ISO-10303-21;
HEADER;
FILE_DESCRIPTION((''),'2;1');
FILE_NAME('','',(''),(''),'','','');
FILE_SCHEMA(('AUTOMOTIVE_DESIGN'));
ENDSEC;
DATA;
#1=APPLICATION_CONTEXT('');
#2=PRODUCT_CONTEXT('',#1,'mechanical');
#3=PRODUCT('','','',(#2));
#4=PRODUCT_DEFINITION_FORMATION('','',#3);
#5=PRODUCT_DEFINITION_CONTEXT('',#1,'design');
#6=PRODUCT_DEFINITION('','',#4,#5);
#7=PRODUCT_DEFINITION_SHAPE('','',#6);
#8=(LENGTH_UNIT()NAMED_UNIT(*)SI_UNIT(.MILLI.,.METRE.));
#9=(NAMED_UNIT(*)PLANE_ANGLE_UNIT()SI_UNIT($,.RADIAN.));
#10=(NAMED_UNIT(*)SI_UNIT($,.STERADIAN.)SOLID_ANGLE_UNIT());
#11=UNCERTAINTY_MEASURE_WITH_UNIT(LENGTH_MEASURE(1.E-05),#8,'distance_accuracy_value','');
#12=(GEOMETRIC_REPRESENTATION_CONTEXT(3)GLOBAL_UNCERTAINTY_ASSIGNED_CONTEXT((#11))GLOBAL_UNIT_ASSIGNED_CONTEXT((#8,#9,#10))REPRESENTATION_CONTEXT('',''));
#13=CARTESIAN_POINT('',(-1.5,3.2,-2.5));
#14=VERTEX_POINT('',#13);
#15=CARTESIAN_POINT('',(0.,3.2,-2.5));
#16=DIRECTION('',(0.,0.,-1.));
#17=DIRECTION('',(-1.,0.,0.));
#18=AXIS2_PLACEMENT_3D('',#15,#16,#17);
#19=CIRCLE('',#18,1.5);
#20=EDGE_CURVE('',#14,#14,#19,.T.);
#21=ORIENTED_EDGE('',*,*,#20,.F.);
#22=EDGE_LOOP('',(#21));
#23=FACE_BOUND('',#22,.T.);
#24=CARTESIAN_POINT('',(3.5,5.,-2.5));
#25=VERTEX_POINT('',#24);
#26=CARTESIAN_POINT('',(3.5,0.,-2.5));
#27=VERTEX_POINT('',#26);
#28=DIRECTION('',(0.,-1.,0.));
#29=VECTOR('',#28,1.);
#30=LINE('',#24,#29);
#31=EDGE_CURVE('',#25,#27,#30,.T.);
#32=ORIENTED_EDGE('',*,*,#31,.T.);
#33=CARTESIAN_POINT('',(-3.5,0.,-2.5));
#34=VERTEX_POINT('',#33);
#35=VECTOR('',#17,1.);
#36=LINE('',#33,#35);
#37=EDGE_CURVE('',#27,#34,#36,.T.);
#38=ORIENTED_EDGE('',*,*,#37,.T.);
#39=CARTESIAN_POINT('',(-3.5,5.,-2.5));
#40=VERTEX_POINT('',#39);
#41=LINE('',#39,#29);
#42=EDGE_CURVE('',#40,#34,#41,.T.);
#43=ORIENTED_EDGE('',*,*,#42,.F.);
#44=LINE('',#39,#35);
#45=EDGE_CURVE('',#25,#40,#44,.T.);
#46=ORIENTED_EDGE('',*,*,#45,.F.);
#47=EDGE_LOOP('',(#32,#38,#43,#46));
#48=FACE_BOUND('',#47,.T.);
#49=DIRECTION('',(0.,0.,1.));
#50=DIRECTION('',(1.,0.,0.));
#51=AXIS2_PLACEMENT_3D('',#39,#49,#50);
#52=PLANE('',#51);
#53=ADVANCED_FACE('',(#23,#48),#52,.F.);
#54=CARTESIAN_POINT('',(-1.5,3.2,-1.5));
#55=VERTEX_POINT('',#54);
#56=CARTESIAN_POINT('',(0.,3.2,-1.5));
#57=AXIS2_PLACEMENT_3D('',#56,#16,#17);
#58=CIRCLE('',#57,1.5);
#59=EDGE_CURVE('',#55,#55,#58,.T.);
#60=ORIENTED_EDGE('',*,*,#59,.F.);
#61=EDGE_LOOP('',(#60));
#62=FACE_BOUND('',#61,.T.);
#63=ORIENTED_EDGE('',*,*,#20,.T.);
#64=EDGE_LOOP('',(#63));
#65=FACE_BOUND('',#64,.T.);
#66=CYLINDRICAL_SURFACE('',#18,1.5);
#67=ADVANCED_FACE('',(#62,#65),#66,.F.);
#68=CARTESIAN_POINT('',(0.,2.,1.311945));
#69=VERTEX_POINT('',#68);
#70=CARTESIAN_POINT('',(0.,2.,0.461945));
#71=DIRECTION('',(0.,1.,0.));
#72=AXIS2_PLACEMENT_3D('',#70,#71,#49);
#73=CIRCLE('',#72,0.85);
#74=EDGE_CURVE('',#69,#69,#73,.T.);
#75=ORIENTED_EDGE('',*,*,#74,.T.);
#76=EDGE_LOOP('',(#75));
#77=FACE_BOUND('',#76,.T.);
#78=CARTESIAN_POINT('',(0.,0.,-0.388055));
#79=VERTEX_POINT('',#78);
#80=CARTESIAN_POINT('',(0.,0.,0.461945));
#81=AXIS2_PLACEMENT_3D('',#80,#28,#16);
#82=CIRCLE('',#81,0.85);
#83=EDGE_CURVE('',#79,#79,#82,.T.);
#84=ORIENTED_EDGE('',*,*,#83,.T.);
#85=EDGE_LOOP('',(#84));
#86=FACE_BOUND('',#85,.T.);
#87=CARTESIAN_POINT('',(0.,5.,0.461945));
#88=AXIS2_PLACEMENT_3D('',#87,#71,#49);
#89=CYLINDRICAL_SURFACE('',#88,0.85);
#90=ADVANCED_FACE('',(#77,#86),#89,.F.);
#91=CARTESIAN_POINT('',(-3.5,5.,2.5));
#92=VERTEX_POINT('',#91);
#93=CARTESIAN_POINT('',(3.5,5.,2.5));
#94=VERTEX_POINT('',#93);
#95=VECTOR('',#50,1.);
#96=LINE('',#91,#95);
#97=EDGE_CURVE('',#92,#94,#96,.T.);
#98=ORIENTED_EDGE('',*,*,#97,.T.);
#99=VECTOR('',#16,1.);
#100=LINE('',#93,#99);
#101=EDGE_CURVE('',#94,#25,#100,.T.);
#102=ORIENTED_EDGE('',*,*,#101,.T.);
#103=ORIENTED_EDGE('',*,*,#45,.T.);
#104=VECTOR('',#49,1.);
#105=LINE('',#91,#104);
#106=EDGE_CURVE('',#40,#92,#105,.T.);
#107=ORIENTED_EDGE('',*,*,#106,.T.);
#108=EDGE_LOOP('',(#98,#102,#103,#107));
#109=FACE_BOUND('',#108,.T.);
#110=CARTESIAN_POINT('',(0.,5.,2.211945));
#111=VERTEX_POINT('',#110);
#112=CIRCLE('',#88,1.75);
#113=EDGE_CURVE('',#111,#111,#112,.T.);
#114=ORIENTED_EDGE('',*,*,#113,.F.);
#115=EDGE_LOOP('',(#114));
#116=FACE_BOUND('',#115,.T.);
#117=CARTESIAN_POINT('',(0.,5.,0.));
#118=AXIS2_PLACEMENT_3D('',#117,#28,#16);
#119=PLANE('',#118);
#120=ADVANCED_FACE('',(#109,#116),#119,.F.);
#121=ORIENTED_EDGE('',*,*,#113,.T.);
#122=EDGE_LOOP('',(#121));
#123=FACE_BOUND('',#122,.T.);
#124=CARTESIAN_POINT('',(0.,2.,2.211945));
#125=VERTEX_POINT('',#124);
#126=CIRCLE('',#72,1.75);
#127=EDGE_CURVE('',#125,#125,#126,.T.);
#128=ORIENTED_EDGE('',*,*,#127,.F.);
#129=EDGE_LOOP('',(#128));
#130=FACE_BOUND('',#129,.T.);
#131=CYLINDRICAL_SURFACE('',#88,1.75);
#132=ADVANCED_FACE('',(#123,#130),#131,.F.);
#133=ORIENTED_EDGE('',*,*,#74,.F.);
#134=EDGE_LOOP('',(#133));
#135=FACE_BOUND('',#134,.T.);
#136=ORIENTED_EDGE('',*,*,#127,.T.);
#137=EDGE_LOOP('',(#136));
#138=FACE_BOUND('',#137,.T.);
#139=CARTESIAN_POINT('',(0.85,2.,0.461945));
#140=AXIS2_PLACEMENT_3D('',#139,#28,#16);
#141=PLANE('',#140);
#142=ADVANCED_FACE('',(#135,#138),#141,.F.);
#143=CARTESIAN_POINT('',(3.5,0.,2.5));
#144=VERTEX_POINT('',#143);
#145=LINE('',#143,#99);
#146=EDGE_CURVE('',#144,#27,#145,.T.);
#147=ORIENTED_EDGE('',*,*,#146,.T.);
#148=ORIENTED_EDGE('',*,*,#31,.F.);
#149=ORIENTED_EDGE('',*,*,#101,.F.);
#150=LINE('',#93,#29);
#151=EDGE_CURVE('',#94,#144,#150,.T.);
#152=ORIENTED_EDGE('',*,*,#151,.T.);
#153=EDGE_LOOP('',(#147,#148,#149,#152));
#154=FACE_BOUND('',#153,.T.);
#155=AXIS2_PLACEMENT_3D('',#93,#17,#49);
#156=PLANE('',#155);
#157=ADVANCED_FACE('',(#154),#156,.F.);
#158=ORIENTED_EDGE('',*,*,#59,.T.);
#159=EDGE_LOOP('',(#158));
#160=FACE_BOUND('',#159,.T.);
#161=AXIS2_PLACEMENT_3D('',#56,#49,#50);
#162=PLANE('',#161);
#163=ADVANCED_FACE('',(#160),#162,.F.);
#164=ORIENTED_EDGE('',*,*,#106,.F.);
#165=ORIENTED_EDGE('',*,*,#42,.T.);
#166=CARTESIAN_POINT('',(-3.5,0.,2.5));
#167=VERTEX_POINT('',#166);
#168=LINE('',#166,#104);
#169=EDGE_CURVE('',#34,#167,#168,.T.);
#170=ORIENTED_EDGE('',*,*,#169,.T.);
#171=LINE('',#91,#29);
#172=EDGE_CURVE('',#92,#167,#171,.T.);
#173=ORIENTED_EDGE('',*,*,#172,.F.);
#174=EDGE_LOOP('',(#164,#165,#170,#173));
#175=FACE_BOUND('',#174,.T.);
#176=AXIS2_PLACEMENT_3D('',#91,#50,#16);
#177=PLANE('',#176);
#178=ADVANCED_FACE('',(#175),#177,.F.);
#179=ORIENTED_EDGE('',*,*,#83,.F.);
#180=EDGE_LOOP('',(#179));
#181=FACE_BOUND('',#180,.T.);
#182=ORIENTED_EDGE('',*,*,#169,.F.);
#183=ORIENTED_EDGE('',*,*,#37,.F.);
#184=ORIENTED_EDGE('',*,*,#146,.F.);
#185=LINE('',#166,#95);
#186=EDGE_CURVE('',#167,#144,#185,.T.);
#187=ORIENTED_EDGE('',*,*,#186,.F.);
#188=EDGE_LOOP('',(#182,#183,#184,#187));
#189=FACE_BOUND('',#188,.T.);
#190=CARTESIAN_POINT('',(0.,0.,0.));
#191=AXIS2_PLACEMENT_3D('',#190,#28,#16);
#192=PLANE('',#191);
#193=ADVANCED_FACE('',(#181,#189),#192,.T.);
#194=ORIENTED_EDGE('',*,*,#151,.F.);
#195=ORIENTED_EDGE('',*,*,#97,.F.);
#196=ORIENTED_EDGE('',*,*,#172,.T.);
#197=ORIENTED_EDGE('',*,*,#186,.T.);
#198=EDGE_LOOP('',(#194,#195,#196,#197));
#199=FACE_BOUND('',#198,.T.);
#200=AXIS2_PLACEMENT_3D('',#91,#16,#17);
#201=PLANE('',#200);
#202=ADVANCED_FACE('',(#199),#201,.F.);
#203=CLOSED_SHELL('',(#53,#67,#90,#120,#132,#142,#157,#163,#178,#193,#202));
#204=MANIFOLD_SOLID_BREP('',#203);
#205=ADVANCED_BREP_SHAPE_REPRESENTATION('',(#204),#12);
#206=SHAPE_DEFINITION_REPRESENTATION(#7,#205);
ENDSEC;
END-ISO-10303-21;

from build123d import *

# Parameters (mm, degrees)
SKETCH1_W                        = 7
SKETCH1_H                        = 5
BOSS_EXTRUDE1_DEPTH              = 5
F_3_0MM_DOWEL_HOLE1_D            = 3
F_3_0MM_DOWEL_HOLE1_DEPTH        = 1
CBORE_FOR_M1_6_SHCS1_D           = 1.7
CBORE_FOR_M1_6_SHCS1_DEPTH       = 5
CBORE_FOR_M1_6_SHCS1_CBORE_D     = 3.5
CBORE_FOR_M1_6_SHCS1_CBORE_DEPTH = 3


with BuildPart() as part:
    # Sketch1 → Boss-Extrude1 (new body)
    with BuildSketch(Plane(origin=(0, 0, 0), x_dir=(1, 0, 0), z_dir=(0, 1, 0))):
        Rectangle(SKETCH1_W, SKETCH1_H)
    extrude(amount=BOSS_EXTRUDE1_DEPTH)

    # Ø3.0mm Dowel Hole1
    with Locations(Plane(origin=(0, 0, -2.5), x_dir=(-1, 0, 0), z_dir=(0, 0, -1))):
        with Locations((0, 3.2)):
            Hole(F_3_0MM_DOWEL_HOLE1_D / 2, depth=F_3_0MM_DOWEL_HOLE1_DEPTH)

    # CBORE for M1.6 SHCS1
    with Locations(Plane(origin=(0, 5, 0), x_dir=(1, 0, 0), z_dir=(0, 1, 0))):
        with Locations((0, -0.461945314)):
            CounterBoreHole(CBORE_FOR_M1_6_SHCS1_D / 2, CBORE_FOR_M1_6_SHCS1_CBORE_D / 2, CBORE_FOR_M1_6_SHCS1_CBORE_DEPTH, depth=CBORE_FOR_M1_6_SHCS1_DEPTH)


solid = part.part
